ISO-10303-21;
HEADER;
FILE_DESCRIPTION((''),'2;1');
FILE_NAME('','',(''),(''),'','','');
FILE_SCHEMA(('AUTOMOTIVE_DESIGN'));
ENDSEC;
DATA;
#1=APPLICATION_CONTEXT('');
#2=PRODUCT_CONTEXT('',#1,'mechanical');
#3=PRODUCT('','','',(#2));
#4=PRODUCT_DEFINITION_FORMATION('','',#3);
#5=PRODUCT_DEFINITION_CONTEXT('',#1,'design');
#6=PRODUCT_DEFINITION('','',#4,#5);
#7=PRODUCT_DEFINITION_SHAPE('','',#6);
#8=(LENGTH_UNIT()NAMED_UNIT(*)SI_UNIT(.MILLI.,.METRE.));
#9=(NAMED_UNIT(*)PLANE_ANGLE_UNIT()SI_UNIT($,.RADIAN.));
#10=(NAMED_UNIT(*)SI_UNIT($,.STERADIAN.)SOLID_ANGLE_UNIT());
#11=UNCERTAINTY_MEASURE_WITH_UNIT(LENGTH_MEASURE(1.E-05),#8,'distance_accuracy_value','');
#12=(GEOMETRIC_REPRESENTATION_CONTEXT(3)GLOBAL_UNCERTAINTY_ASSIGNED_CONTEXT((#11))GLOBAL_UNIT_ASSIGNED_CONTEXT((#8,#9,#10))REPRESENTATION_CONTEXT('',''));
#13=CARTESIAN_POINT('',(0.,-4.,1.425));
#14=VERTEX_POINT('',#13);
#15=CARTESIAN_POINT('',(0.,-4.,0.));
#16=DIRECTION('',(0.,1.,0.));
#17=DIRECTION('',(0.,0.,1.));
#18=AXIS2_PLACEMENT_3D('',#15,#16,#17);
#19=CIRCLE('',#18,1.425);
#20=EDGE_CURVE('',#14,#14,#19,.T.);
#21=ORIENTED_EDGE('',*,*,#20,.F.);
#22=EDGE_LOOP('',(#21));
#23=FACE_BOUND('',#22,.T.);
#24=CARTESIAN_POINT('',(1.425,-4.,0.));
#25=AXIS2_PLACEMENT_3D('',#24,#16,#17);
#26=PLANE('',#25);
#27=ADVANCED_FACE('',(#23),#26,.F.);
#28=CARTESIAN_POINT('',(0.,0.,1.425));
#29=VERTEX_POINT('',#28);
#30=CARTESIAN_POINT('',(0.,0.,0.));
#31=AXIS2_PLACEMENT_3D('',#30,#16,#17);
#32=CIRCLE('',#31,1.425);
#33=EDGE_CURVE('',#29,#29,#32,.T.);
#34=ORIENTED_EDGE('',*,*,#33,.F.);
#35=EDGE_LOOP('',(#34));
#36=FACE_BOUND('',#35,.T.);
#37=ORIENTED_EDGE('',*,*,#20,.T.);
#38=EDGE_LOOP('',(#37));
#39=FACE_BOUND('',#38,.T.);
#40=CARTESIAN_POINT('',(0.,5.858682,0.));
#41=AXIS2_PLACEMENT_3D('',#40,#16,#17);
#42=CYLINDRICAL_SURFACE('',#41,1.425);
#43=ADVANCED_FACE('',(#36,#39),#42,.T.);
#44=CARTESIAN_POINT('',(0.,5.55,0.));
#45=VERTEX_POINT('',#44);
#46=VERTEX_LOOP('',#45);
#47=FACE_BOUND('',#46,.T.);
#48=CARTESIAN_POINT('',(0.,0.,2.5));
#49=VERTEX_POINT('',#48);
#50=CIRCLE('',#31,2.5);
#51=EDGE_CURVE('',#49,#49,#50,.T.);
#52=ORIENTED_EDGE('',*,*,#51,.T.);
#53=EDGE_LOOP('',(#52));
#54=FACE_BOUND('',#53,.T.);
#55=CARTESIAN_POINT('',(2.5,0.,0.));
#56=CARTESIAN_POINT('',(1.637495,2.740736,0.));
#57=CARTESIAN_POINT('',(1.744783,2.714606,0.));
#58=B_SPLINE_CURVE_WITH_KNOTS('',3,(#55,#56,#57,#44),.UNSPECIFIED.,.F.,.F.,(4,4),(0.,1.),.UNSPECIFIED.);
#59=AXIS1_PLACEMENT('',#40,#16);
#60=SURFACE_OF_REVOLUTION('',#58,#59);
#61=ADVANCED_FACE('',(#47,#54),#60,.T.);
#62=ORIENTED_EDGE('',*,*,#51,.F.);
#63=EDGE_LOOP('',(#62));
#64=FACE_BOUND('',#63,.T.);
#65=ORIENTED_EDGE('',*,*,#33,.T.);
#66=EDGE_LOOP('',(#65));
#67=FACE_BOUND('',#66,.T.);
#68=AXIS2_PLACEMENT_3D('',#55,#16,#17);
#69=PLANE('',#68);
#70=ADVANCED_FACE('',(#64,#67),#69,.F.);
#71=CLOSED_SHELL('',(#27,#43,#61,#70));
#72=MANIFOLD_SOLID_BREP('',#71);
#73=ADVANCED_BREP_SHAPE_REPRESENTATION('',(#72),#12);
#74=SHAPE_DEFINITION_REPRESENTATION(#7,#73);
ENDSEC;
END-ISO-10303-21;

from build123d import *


with BuildPart() as part:
    # Sketch1 → Revolve1 (revolve)
    with BuildSketch(Plane.XY, mode=Mode.PRIVATE) as revolve1_sk:
        with BuildLine():
            Line((2.5, 0), (1.425, 0))
            Line((1.425, 0), (1.425, -4))
            Line((1.425, -4), (0, -4))
            Line((0, -4), (0, 5.55))
            add(Edge.make_bspline(
                [(0, 5.55), (1.744782971, 2.714606366), (1.637494634, 2.740736432), (2.5, 0)],
                knots=[0, 0, 0, 0, 1, 1, 1, 1], degree=3))
        make_face()
    revolve(revolve1_sk.sketch.rotate(Axis((0, 5.858681703, 0), (0, -1, 0)), 90), axis=Axis((0, 5.858681703, 0), (0, -1, 0)))


solid = part.part
